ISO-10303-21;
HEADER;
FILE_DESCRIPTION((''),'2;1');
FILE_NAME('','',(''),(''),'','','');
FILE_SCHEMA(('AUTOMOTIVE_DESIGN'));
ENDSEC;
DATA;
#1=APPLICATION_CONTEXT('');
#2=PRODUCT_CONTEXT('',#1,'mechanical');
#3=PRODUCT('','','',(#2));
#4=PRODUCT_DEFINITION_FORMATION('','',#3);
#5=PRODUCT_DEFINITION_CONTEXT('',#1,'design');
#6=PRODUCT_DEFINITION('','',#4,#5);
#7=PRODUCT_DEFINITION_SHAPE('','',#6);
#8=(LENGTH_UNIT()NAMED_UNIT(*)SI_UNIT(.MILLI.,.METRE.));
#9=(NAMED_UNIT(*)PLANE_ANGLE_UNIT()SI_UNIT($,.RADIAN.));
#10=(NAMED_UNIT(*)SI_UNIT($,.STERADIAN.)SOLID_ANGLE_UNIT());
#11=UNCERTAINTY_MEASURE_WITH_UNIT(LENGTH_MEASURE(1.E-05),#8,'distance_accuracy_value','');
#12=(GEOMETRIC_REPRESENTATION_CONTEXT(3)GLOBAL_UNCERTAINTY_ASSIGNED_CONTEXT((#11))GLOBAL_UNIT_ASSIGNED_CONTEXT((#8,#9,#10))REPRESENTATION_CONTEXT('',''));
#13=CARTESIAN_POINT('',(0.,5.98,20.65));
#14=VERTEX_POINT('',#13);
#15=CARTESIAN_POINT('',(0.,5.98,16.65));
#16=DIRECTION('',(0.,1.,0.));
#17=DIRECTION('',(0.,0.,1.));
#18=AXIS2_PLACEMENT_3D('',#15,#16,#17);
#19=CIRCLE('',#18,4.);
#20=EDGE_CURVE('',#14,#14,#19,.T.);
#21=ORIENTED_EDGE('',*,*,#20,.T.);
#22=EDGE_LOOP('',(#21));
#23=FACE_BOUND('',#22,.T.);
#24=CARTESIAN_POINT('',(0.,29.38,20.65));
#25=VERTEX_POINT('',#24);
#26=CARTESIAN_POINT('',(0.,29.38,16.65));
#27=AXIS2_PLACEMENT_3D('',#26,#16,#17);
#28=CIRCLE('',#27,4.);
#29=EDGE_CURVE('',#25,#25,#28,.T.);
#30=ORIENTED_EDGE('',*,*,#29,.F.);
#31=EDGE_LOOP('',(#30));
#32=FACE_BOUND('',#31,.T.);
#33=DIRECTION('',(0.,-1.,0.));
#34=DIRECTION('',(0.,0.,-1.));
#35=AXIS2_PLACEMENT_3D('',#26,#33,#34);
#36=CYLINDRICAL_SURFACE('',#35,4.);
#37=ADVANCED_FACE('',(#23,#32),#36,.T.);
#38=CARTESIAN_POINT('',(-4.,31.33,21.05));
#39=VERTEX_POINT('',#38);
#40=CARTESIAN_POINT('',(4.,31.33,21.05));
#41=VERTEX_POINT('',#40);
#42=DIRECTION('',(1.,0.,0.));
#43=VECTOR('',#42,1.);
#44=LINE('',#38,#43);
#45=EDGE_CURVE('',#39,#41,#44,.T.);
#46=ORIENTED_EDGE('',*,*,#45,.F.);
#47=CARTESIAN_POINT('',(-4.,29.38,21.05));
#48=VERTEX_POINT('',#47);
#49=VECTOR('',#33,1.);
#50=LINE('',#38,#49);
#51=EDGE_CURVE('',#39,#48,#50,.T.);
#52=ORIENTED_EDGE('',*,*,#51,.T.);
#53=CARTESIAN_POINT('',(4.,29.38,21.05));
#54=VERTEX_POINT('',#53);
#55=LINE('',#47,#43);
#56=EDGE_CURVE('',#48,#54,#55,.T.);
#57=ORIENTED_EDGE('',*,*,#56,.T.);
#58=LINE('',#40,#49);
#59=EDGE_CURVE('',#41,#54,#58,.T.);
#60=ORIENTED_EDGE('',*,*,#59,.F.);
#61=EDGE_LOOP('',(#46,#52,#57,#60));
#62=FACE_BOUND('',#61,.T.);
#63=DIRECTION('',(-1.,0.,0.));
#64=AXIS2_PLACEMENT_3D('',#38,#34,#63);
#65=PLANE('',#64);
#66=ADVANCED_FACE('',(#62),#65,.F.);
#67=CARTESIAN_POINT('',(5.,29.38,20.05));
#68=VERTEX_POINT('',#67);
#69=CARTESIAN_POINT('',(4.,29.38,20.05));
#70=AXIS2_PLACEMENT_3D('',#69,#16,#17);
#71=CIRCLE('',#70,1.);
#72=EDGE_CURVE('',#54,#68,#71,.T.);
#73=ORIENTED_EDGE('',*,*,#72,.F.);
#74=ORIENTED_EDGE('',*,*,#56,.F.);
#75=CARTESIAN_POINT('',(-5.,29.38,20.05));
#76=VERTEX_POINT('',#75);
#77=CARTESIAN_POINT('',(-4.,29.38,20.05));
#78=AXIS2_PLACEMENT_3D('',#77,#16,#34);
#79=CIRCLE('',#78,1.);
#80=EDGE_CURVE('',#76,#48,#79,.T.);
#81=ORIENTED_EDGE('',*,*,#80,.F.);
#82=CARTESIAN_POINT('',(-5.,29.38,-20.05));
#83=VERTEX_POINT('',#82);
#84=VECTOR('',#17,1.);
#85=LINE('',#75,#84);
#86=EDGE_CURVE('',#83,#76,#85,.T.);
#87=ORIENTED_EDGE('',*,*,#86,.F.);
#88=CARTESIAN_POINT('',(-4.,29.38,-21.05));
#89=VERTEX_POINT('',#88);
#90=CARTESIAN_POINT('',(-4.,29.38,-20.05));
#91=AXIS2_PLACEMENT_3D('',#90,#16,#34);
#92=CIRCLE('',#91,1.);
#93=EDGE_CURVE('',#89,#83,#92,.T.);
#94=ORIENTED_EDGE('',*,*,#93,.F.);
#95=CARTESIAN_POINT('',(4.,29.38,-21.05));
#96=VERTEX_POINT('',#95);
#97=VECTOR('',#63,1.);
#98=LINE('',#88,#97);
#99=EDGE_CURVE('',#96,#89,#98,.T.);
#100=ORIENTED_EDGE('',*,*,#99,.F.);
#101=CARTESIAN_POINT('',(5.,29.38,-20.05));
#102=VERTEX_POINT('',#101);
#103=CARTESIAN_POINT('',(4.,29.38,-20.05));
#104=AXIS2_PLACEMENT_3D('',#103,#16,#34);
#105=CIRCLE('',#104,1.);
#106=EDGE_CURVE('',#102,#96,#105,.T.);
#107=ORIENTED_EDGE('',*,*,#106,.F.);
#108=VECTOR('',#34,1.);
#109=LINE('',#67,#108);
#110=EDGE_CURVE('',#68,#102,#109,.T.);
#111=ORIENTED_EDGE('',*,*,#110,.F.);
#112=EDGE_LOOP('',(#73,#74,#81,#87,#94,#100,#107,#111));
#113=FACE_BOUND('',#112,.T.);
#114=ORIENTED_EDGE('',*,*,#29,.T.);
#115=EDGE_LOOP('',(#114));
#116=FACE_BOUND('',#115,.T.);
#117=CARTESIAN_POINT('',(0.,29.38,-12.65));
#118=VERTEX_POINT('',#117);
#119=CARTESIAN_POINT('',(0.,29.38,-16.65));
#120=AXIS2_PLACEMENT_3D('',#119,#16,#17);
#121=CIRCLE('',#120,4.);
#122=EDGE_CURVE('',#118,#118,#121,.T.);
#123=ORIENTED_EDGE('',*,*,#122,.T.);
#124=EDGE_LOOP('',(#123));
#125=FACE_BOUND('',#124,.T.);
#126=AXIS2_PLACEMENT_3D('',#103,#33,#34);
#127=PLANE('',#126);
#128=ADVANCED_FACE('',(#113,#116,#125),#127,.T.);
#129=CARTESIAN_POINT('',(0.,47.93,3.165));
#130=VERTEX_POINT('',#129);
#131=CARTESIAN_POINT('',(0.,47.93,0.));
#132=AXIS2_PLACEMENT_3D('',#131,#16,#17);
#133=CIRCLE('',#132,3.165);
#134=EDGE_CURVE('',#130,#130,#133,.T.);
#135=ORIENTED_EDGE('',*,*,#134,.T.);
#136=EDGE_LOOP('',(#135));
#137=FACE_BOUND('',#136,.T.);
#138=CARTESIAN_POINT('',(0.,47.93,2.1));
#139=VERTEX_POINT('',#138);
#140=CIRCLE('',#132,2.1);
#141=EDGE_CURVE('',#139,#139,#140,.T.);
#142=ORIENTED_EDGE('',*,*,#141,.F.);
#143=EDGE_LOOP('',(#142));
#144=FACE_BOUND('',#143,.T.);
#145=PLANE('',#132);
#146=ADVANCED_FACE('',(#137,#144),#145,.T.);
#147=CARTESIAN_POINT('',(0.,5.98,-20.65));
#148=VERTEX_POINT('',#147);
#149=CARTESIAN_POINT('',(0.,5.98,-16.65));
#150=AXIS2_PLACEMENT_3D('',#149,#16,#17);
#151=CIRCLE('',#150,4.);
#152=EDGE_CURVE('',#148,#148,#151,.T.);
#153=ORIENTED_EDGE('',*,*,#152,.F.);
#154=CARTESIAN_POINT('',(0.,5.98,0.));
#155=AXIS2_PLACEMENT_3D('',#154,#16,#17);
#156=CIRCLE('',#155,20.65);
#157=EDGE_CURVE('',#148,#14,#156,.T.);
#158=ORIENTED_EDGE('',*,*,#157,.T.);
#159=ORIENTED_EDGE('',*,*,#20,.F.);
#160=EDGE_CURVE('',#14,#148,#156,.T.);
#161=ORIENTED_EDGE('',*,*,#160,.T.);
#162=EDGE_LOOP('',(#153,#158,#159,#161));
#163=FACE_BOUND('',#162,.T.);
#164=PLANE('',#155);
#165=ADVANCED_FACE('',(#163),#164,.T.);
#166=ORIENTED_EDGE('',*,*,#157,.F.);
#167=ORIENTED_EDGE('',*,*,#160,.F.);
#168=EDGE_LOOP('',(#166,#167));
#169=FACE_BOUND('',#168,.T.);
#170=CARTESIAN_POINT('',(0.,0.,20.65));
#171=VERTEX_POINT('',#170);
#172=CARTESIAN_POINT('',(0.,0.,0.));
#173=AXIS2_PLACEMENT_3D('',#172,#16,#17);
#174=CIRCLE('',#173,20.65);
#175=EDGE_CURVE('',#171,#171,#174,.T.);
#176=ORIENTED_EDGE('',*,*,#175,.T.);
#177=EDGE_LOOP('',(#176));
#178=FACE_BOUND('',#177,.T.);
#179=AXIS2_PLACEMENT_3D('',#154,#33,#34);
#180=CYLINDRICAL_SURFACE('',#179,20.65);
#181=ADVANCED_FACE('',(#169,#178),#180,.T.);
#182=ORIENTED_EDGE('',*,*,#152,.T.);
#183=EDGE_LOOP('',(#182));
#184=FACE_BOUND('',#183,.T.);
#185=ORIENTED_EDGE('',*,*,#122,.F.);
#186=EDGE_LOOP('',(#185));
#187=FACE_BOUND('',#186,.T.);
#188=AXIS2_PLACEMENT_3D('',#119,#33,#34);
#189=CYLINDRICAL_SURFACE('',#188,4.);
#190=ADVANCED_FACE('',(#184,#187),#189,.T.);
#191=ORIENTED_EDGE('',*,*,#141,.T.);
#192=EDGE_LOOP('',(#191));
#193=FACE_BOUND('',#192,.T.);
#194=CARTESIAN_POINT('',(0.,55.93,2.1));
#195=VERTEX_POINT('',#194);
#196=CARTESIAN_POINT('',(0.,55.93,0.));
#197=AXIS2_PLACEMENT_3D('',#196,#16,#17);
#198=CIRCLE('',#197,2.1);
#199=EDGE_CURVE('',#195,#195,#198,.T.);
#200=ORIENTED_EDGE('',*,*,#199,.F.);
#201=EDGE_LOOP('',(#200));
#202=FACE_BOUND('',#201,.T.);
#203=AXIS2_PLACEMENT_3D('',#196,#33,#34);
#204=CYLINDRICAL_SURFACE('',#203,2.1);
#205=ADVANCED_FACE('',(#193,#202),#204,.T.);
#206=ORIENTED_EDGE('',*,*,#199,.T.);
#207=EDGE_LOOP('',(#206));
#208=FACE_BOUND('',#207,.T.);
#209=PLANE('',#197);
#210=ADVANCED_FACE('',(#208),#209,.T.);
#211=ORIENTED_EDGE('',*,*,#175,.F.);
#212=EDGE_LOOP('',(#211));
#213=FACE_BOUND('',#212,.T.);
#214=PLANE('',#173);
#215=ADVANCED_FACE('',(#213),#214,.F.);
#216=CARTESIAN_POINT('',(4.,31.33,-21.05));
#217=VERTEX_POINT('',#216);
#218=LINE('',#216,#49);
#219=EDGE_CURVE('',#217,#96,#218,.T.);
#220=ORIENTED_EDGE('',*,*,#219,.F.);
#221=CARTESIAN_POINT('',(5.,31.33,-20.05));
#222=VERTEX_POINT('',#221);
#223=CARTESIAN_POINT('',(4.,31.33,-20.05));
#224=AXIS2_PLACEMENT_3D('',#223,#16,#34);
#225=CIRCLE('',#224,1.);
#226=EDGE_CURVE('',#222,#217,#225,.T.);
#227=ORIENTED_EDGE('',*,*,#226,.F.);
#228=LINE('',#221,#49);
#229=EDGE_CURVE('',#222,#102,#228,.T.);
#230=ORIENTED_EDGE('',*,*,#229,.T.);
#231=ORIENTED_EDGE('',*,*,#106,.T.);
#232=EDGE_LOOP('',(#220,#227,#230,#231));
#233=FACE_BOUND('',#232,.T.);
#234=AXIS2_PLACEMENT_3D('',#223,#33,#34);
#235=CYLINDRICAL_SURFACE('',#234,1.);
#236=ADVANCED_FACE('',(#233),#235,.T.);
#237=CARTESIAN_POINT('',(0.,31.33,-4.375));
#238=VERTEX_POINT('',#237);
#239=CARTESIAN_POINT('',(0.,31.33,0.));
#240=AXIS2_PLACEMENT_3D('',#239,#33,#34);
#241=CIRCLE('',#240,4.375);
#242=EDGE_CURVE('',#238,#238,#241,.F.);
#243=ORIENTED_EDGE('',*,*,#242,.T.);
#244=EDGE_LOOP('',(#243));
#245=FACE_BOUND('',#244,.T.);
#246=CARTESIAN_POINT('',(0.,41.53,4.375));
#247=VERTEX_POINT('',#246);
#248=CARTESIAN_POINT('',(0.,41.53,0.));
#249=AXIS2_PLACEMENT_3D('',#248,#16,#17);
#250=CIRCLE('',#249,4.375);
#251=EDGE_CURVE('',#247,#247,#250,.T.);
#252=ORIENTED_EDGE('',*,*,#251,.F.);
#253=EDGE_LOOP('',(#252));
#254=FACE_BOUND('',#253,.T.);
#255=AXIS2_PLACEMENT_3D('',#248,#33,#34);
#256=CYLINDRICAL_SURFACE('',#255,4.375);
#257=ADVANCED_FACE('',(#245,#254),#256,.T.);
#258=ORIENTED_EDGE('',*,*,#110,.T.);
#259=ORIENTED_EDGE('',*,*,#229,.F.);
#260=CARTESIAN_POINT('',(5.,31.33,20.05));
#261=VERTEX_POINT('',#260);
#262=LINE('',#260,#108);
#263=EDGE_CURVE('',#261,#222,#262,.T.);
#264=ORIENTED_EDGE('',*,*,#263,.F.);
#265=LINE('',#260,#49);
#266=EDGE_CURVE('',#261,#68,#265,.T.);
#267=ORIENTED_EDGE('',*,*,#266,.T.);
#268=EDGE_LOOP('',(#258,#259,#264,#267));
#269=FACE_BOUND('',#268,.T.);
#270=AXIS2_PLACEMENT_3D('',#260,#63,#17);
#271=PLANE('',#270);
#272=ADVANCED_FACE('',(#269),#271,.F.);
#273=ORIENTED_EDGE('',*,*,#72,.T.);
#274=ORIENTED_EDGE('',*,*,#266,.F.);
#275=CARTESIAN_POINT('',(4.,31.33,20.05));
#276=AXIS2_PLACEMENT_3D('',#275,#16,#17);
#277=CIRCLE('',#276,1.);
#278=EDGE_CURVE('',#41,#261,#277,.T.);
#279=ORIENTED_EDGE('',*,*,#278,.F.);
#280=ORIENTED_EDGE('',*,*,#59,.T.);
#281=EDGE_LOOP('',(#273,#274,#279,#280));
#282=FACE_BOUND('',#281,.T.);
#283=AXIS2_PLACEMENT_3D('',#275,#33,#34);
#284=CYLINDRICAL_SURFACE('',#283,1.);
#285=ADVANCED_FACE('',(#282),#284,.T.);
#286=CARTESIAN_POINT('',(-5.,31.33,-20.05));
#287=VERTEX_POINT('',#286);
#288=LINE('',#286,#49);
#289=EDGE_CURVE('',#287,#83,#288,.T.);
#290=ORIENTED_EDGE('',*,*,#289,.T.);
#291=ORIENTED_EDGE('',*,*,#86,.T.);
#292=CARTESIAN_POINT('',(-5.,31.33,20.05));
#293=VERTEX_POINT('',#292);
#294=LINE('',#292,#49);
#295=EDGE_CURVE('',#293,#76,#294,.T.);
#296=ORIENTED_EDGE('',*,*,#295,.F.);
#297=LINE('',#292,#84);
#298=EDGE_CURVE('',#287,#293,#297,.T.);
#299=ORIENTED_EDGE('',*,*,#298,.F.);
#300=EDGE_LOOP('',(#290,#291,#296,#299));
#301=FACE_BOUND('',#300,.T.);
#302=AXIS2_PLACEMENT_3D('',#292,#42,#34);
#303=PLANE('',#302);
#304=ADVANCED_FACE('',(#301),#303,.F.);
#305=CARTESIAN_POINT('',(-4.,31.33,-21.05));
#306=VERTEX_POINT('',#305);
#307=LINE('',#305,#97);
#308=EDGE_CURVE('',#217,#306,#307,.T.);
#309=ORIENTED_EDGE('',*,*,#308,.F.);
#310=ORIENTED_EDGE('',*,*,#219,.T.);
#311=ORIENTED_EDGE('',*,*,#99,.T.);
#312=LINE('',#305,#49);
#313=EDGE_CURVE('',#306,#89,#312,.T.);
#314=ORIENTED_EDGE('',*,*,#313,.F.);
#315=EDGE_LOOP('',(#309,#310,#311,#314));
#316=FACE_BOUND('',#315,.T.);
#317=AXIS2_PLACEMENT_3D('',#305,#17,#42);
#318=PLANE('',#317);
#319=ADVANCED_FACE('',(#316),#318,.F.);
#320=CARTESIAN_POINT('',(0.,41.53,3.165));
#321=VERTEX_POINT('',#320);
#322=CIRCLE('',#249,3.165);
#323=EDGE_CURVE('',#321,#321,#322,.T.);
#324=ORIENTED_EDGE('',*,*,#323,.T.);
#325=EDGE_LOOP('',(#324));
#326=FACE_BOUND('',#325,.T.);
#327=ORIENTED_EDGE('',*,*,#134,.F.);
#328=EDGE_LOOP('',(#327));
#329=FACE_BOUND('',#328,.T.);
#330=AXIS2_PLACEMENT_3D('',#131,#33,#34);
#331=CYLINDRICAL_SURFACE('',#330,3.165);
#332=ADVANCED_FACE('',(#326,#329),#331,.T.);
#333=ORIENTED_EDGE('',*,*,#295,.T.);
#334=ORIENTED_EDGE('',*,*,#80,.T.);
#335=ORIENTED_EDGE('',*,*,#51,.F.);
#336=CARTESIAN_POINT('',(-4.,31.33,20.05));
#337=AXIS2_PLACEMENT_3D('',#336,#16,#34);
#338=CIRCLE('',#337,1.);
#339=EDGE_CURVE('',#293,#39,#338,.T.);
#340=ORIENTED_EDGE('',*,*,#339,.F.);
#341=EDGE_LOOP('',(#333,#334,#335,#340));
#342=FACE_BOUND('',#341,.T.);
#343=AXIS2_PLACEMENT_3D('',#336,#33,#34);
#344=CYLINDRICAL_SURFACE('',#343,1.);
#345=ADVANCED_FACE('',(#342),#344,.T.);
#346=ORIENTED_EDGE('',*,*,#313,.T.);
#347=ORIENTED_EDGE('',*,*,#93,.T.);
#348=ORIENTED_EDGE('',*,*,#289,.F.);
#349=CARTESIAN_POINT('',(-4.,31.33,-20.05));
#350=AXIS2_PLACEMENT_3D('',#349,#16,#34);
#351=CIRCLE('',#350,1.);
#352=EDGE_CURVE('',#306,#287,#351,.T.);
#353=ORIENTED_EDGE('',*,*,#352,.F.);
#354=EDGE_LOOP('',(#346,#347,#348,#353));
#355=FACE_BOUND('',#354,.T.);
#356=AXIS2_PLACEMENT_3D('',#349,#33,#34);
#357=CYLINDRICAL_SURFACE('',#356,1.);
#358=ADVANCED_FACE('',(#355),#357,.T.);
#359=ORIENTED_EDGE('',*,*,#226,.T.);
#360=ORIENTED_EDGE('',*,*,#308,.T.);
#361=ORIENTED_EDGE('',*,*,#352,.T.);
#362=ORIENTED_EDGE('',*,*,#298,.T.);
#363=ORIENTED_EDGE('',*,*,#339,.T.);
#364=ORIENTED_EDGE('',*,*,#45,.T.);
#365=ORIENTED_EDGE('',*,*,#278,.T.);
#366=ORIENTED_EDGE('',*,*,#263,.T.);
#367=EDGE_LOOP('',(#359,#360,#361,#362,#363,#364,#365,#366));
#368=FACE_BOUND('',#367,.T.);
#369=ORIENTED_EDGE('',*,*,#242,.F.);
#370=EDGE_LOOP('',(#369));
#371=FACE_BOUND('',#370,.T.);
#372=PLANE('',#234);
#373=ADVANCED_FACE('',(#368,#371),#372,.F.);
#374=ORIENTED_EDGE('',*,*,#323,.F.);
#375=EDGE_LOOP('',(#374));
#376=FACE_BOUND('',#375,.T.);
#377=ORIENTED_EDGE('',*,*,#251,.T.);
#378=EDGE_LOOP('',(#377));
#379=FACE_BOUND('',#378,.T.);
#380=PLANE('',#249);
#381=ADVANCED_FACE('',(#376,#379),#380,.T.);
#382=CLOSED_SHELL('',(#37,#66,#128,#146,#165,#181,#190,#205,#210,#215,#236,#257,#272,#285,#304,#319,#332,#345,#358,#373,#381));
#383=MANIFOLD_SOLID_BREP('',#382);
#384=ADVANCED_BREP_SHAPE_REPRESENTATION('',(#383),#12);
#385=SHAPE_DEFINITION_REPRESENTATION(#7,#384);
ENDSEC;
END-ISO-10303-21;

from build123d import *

# Parameters (mm, degrees)
SKETCH1_R           = 20.65
BOSS_EXTRUDE1_DEPTH = 5.98
SKETCH2_R           = 4
BOSS_EXTRUDE2_DEPTH = 23.4
BOSS_EXTRUDE3_DEPTH = 1.95
SKETCH4_R           = 4.375
BOSS_EXTRUDE4_DEPTH = 10.2
SKETCH5_R           = 3.165
BOSS_EXTRUDE5_DEPTH = 6.4
SKETCH6_R           = 2.1
BOSS_EXTRUDE6_DEPTH = 8


with BuildPart() as part:
    # Sketch1 → Boss-Extrude1 (new body)
    with BuildSketch(Plane(origin=(0, 0, 0), x_dir=(1, 0, 0), z_dir=(0, 1, 0))):
        Circle(SKETCH1_R)
    extrude(amount=BOSS_EXTRUDE1_DEPTH)

    # Sketch2 → Boss-Extrude2 (add)
    with BuildSketch(Plane(origin=(0, 5.98, 0), x_dir=(1, 0, 0), z_dir=(0, 1, 0))):
        with Locations((0, -16.65)):
            Circle(SKETCH2_R)
        with Locations((0, 16.65)):
            Circle(SKETCH2_R)
    extrude(amount=BOSS_EXTRUDE2_DEPTH)

    # Sketch3 → Boss-Extrude3 (add)
    with BuildSketch(Plane(origin=(0, 29.38, 0), x_dir=(1, 0, 0), z_dir=(0, 1, 0))):
        with BuildLine():
            Line((-4, -21.05), (4, -21.05))
            ThreePointArc((4, -21.05), (4.707106781, -20.757106781), (5, -20.05))
            Line((5, -20.05), (5, 20.05))
            ThreePointArc((5, 20.05), (4.707106781, 20.757106781), (4, 21.05))
            Line((4, 21.05), (-4, 21.05))
            ThreePointArc((-4, 21.05), (-4.707106781, 20.757106781), (-5, 20.05))
            Line((-5, 20.05), (-5, -20.05))
            ThreePointArc((-5, -20.05), (-4.707106781, -20.757106781), (-4, -21.05))
        make_face()
    extrude(amount=BOSS_EXTRUDE3_DEPTH)

    # Sketch4 → Boss-Extrude4 (add)
    with BuildSketch(Plane(origin=(0, 31.33, 0), x_dir=(1, 0, 0), z_dir=(0, 1, 0))):
        Circle(SKETCH4_R)
    extrude(amount=BOSS_EXTRUDE4_DEPTH)

    # Sketch5 → Boss-Extrude5 (add)
    with BuildSketch(Plane(origin=(0, 41.53, 0), x_dir=(1, 0, 0), z_dir=(0, 1, 0))):
        Circle(SKETCH5_R)
    extrude(amount=BOSS_EXTRUDE5_DEPTH)

    # Sketch6 → Boss-Extrude6 (add)
    with BuildSketch(Plane(origin=(0, 47.93, 0), x_dir=(1, 0, 0), z_dir=(0, 1, 0))):
        Circle(SKETCH6_R)
    extrude(amount=BOSS_EXTRUDE6_DEPTH)


solid = part.part
